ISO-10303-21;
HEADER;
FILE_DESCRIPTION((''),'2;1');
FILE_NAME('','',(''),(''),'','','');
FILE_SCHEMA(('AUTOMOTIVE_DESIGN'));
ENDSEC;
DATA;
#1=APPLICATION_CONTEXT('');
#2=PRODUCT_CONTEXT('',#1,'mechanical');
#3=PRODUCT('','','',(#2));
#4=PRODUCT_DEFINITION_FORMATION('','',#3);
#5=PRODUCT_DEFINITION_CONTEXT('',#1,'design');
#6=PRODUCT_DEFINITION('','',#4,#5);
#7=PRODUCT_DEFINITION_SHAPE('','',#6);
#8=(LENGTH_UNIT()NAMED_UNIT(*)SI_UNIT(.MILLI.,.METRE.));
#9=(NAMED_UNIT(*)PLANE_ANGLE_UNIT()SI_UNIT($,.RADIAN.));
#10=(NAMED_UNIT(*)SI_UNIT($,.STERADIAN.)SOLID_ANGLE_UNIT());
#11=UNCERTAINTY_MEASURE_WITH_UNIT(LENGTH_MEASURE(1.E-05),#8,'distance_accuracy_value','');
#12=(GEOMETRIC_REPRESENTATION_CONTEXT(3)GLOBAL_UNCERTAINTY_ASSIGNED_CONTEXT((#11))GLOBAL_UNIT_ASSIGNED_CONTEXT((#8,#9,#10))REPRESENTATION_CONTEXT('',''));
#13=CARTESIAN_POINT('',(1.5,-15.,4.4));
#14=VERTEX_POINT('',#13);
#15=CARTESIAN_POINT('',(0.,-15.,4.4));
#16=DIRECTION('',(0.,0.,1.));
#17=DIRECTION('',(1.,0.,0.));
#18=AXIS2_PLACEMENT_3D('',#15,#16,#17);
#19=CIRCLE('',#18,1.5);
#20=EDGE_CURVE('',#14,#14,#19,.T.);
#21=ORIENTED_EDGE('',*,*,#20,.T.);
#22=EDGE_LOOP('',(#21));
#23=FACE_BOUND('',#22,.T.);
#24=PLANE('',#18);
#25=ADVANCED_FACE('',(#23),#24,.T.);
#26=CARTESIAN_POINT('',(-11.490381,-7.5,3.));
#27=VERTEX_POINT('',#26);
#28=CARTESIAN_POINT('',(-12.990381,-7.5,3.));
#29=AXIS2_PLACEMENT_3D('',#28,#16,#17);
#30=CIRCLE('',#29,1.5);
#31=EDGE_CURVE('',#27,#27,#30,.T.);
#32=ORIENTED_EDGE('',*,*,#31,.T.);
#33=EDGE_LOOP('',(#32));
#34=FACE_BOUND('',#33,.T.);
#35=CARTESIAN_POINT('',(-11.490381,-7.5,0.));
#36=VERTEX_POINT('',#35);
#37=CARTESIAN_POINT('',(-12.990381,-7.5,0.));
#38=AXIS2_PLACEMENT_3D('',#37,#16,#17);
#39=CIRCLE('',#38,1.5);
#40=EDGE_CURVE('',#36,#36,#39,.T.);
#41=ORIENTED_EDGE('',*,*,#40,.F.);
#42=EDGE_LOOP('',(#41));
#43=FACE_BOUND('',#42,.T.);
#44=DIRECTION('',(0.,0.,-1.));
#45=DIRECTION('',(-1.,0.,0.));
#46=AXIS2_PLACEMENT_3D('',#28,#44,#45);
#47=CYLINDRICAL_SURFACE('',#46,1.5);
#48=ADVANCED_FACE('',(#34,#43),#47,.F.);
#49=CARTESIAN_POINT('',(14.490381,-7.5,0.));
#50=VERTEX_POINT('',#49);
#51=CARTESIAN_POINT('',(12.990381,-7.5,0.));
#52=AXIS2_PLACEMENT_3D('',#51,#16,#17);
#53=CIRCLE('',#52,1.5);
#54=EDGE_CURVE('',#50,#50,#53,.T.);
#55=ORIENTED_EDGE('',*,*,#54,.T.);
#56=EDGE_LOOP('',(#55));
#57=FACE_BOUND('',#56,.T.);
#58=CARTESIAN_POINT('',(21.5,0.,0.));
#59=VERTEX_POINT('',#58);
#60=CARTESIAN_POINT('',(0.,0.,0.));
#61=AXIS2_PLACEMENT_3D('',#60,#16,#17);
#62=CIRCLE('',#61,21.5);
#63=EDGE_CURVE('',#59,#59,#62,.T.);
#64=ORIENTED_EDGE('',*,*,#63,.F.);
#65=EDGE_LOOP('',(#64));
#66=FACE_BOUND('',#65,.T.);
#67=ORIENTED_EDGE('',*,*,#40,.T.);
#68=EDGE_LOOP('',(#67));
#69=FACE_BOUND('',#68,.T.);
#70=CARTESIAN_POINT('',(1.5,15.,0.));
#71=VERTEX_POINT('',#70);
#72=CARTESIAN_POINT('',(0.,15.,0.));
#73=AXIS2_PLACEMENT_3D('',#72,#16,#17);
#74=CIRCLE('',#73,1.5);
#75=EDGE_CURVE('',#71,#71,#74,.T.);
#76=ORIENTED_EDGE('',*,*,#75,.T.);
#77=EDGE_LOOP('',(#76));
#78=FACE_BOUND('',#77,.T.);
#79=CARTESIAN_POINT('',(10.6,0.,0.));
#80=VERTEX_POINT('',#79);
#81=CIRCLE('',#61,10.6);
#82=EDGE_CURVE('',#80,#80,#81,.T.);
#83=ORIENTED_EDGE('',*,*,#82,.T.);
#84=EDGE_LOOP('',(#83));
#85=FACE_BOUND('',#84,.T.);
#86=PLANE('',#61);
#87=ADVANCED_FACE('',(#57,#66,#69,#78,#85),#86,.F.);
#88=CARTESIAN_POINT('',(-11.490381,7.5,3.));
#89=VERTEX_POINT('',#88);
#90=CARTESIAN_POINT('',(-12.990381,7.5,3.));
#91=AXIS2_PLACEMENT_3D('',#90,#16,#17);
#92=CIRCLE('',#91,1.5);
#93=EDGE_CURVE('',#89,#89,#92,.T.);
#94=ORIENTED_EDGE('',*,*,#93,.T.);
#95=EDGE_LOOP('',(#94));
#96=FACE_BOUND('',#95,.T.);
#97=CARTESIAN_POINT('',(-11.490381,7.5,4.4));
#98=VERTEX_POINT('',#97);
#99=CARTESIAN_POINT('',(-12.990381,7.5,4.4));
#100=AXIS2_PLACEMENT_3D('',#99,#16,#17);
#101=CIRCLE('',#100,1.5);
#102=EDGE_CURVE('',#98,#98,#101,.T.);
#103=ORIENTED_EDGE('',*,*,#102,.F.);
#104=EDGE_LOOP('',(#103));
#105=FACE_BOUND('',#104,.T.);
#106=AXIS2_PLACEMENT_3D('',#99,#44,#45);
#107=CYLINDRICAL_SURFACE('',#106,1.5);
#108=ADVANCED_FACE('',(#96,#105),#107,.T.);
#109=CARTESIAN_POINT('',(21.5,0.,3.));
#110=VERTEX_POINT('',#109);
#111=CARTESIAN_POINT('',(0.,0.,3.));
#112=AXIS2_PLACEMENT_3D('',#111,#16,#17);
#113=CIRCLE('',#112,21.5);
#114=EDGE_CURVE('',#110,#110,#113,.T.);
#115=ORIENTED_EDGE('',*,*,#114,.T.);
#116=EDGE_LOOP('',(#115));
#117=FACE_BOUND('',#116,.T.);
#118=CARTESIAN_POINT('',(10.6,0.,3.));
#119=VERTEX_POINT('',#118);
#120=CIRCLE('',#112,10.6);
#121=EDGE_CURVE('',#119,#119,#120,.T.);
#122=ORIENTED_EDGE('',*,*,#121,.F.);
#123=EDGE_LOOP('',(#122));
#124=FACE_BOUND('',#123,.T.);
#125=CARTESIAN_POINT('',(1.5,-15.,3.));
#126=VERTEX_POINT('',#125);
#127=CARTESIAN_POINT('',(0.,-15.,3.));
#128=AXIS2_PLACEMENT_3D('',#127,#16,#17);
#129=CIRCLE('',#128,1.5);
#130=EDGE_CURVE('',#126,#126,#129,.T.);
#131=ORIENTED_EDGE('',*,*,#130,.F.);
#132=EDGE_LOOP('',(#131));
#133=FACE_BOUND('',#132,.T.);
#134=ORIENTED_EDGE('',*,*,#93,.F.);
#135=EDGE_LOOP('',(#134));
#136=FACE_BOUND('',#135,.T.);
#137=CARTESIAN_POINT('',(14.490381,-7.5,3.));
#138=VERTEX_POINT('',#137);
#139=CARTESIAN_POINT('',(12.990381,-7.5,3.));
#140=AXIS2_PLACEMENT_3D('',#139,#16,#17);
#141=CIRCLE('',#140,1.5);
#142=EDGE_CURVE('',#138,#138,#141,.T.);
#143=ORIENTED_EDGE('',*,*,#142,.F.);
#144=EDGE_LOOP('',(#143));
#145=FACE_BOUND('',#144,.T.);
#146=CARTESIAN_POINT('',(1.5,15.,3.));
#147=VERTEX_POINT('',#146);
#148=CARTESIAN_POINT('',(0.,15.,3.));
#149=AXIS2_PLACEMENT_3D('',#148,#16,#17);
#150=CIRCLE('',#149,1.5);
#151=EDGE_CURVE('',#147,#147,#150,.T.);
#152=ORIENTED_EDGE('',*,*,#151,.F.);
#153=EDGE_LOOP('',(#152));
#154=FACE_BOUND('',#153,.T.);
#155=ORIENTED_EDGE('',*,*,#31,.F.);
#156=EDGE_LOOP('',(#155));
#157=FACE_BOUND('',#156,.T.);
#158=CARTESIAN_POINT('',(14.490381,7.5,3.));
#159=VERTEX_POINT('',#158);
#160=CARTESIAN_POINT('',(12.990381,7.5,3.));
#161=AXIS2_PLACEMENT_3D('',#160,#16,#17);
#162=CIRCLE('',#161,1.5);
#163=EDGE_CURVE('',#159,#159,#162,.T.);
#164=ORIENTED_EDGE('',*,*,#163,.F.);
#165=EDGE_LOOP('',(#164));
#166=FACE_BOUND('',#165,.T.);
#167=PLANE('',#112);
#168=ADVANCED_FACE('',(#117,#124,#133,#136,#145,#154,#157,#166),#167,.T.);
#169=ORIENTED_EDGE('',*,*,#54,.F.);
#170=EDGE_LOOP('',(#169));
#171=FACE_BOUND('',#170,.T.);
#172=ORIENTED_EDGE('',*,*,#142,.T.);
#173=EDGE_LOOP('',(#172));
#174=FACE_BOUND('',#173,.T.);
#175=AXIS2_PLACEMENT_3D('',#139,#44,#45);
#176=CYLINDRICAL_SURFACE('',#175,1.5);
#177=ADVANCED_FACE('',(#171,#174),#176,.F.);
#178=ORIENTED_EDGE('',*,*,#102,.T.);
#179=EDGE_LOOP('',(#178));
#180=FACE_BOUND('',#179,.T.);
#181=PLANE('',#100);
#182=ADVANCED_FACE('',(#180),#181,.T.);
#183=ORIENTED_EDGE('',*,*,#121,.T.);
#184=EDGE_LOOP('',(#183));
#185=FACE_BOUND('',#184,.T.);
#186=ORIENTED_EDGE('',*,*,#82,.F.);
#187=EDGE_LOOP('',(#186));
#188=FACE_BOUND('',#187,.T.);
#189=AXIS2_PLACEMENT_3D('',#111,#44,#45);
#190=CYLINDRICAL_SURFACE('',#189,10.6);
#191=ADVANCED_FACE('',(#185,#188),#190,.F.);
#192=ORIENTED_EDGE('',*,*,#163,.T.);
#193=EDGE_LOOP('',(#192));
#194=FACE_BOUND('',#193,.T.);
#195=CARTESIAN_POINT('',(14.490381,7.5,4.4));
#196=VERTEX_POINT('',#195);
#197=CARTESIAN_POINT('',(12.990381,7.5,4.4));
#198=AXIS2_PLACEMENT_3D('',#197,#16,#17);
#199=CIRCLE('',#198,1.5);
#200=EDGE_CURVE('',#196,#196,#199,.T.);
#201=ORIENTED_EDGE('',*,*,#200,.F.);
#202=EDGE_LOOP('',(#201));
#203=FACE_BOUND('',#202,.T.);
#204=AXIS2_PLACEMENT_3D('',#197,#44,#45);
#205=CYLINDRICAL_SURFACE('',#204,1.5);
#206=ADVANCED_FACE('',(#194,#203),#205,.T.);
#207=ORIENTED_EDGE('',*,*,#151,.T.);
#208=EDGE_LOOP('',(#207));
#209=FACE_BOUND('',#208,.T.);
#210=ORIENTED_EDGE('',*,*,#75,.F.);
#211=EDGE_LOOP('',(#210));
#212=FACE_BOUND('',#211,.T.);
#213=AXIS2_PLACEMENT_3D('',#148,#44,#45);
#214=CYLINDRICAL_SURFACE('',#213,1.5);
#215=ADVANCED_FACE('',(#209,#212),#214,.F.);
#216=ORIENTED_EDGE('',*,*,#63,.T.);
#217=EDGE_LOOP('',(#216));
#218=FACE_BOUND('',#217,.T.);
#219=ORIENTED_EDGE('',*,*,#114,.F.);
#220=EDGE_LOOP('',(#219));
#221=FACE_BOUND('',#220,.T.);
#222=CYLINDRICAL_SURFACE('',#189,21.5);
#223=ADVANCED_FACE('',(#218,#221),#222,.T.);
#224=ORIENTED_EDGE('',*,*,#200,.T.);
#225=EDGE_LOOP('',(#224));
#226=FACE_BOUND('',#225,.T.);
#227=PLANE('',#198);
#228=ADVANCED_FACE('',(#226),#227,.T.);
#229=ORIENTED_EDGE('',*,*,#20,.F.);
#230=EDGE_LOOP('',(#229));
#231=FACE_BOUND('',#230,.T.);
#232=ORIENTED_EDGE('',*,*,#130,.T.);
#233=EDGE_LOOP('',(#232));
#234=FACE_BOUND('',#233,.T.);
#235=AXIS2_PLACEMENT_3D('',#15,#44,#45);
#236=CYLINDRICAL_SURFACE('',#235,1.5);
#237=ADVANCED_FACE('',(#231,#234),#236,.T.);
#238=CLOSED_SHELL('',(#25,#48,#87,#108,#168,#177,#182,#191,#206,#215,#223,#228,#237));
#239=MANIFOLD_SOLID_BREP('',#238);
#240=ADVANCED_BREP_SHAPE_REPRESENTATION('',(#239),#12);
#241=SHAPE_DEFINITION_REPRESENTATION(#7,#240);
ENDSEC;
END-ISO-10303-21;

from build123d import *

# Parameters (mm, degrees)
SKETCH_1_R      = 21.5
SKETCH_1_R_2    = 10.6
SKETCH_1_R_3    = 1.5
EXTRUDE_1_DEPTH = 3
SKETCH_2_R      = 1.5
EXTRUDE_2_DEPTH = 1.4


with BuildPart() as part:
    # 草圖1 → 填料-伸長1 (new body)
    with BuildSketch(Plane.XY):
        Circle(SKETCH_1_R)
        Circle(SKETCH_1_R_2, mode=Mode.SUBTRACT)
        with Locations((0, 15)):
            Circle(SKETCH_1_R_3, mode=Mode.SUBTRACT)
        with Locations((12.990381057, -7.5)):
            Circle(SKETCH_1_R_3, mode=Mode.SUBTRACT)
        with Locations((-12.990381057, -7.5)):
            Circle(SKETCH_1_R_3, mode=Mode.SUBTRACT)
    extrude(amount=EXTRUDE_1_DEPTH)

    # 草圖2 → 填料-伸長2 (add)
    with BuildSketch(Plane.XY.offset(3)):
        with Locations((12.990381057, 7.5)):
            Circle(SKETCH_2_R)
        with Locations((-12.990381057, 7.5)):
            Circle(SKETCH_2_R)
        with Locations((0, -15)):
            Circle(SKETCH_2_R)
    extrude(amount=EXTRUDE_2_DEPTH)


solid = part.part
